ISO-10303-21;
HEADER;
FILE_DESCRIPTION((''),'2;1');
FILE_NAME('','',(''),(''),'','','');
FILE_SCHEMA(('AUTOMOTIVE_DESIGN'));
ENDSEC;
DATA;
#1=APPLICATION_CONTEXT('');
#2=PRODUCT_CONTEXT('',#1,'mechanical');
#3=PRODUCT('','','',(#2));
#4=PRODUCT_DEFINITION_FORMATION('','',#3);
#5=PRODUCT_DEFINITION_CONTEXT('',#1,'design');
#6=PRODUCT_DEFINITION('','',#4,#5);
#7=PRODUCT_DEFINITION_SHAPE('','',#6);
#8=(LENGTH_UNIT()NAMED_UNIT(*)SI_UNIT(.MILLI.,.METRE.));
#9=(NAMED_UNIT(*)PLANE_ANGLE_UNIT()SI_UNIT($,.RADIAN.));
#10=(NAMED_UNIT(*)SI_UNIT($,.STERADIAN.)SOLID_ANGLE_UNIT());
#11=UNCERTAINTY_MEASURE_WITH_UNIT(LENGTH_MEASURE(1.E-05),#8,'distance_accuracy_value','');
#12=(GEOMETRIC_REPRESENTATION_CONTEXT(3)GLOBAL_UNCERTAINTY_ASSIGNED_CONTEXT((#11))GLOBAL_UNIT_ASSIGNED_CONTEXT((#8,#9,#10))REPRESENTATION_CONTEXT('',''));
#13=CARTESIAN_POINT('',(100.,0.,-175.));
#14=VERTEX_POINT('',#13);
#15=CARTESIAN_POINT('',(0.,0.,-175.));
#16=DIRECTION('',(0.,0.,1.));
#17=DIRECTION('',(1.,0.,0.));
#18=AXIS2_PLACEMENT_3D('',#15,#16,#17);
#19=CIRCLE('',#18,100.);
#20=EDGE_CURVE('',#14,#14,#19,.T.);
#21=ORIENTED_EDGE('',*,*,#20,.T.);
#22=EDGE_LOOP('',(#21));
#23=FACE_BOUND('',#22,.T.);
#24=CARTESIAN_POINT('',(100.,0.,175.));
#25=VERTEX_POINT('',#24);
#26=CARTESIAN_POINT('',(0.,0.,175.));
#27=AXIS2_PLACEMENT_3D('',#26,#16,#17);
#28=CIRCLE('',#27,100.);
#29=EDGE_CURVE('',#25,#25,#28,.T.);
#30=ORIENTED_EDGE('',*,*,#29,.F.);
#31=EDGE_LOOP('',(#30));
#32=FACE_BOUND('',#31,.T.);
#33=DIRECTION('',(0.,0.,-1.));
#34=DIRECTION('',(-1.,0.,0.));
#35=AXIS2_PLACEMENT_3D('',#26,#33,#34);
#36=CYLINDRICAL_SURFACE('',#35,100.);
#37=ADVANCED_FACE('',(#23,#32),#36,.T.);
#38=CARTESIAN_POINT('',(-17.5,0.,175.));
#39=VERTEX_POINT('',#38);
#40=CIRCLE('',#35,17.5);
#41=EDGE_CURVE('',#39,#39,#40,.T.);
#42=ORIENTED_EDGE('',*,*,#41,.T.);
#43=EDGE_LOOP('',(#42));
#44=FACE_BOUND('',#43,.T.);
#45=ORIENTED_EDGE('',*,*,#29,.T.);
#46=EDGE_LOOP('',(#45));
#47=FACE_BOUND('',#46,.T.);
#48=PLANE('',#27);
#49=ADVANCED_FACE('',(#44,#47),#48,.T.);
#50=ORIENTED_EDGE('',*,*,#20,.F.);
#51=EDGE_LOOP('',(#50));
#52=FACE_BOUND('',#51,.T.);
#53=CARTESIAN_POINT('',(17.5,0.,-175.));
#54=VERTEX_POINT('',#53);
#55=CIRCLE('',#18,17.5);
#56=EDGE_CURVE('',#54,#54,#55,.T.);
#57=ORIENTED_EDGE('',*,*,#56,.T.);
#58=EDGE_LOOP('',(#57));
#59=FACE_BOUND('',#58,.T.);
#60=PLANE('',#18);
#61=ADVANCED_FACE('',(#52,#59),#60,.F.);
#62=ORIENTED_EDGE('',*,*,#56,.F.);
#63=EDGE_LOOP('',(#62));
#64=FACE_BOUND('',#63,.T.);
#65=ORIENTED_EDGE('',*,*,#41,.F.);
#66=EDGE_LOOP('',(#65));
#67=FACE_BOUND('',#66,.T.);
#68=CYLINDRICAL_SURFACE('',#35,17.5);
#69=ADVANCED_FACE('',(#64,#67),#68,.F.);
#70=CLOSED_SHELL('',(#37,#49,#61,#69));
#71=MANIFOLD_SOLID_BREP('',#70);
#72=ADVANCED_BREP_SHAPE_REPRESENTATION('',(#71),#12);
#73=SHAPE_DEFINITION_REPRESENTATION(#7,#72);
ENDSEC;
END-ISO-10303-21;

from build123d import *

# Parameters (mm, degrees)
SKETCH2_R               = 100
BOSS_EXTRUDE1_DEPTH     = 175
SKETCH3_R               = 17.5
CUT_EXTRUDE1_DEPTH      = 1
CUT_EXTRUDE1_DEPTH_BACK = 351


with BuildPart() as part:
    # Sketch2 → Boss-Extrude1 (new body, symmetric)
    with BuildSketch(Plane.XY):
        Circle(SKETCH2_R)
    extrude(amount=BOSS_EXTRUDE1_DEPTH, both=True)

    # Sketch3 → Cut-Extrude1 (cut, two sides)
    with BuildSketch(Plane(origin=(0, 0, -175), x_dir=(-1, 0, 0), z_dir=(0, 0, -1))) as cut_extrude1_sk:
        Circle(SKETCH3_R)
    extrude(amount=CUT_EXTRUDE1_DEPTH, mode=Mode.SUBTRACT)
    extrude(cut_extrude1_sk.sketch, amount=-CUT_EXTRUDE1_DEPTH_BACK, mode=Mode.SUBTRACT)


solid = part.part
